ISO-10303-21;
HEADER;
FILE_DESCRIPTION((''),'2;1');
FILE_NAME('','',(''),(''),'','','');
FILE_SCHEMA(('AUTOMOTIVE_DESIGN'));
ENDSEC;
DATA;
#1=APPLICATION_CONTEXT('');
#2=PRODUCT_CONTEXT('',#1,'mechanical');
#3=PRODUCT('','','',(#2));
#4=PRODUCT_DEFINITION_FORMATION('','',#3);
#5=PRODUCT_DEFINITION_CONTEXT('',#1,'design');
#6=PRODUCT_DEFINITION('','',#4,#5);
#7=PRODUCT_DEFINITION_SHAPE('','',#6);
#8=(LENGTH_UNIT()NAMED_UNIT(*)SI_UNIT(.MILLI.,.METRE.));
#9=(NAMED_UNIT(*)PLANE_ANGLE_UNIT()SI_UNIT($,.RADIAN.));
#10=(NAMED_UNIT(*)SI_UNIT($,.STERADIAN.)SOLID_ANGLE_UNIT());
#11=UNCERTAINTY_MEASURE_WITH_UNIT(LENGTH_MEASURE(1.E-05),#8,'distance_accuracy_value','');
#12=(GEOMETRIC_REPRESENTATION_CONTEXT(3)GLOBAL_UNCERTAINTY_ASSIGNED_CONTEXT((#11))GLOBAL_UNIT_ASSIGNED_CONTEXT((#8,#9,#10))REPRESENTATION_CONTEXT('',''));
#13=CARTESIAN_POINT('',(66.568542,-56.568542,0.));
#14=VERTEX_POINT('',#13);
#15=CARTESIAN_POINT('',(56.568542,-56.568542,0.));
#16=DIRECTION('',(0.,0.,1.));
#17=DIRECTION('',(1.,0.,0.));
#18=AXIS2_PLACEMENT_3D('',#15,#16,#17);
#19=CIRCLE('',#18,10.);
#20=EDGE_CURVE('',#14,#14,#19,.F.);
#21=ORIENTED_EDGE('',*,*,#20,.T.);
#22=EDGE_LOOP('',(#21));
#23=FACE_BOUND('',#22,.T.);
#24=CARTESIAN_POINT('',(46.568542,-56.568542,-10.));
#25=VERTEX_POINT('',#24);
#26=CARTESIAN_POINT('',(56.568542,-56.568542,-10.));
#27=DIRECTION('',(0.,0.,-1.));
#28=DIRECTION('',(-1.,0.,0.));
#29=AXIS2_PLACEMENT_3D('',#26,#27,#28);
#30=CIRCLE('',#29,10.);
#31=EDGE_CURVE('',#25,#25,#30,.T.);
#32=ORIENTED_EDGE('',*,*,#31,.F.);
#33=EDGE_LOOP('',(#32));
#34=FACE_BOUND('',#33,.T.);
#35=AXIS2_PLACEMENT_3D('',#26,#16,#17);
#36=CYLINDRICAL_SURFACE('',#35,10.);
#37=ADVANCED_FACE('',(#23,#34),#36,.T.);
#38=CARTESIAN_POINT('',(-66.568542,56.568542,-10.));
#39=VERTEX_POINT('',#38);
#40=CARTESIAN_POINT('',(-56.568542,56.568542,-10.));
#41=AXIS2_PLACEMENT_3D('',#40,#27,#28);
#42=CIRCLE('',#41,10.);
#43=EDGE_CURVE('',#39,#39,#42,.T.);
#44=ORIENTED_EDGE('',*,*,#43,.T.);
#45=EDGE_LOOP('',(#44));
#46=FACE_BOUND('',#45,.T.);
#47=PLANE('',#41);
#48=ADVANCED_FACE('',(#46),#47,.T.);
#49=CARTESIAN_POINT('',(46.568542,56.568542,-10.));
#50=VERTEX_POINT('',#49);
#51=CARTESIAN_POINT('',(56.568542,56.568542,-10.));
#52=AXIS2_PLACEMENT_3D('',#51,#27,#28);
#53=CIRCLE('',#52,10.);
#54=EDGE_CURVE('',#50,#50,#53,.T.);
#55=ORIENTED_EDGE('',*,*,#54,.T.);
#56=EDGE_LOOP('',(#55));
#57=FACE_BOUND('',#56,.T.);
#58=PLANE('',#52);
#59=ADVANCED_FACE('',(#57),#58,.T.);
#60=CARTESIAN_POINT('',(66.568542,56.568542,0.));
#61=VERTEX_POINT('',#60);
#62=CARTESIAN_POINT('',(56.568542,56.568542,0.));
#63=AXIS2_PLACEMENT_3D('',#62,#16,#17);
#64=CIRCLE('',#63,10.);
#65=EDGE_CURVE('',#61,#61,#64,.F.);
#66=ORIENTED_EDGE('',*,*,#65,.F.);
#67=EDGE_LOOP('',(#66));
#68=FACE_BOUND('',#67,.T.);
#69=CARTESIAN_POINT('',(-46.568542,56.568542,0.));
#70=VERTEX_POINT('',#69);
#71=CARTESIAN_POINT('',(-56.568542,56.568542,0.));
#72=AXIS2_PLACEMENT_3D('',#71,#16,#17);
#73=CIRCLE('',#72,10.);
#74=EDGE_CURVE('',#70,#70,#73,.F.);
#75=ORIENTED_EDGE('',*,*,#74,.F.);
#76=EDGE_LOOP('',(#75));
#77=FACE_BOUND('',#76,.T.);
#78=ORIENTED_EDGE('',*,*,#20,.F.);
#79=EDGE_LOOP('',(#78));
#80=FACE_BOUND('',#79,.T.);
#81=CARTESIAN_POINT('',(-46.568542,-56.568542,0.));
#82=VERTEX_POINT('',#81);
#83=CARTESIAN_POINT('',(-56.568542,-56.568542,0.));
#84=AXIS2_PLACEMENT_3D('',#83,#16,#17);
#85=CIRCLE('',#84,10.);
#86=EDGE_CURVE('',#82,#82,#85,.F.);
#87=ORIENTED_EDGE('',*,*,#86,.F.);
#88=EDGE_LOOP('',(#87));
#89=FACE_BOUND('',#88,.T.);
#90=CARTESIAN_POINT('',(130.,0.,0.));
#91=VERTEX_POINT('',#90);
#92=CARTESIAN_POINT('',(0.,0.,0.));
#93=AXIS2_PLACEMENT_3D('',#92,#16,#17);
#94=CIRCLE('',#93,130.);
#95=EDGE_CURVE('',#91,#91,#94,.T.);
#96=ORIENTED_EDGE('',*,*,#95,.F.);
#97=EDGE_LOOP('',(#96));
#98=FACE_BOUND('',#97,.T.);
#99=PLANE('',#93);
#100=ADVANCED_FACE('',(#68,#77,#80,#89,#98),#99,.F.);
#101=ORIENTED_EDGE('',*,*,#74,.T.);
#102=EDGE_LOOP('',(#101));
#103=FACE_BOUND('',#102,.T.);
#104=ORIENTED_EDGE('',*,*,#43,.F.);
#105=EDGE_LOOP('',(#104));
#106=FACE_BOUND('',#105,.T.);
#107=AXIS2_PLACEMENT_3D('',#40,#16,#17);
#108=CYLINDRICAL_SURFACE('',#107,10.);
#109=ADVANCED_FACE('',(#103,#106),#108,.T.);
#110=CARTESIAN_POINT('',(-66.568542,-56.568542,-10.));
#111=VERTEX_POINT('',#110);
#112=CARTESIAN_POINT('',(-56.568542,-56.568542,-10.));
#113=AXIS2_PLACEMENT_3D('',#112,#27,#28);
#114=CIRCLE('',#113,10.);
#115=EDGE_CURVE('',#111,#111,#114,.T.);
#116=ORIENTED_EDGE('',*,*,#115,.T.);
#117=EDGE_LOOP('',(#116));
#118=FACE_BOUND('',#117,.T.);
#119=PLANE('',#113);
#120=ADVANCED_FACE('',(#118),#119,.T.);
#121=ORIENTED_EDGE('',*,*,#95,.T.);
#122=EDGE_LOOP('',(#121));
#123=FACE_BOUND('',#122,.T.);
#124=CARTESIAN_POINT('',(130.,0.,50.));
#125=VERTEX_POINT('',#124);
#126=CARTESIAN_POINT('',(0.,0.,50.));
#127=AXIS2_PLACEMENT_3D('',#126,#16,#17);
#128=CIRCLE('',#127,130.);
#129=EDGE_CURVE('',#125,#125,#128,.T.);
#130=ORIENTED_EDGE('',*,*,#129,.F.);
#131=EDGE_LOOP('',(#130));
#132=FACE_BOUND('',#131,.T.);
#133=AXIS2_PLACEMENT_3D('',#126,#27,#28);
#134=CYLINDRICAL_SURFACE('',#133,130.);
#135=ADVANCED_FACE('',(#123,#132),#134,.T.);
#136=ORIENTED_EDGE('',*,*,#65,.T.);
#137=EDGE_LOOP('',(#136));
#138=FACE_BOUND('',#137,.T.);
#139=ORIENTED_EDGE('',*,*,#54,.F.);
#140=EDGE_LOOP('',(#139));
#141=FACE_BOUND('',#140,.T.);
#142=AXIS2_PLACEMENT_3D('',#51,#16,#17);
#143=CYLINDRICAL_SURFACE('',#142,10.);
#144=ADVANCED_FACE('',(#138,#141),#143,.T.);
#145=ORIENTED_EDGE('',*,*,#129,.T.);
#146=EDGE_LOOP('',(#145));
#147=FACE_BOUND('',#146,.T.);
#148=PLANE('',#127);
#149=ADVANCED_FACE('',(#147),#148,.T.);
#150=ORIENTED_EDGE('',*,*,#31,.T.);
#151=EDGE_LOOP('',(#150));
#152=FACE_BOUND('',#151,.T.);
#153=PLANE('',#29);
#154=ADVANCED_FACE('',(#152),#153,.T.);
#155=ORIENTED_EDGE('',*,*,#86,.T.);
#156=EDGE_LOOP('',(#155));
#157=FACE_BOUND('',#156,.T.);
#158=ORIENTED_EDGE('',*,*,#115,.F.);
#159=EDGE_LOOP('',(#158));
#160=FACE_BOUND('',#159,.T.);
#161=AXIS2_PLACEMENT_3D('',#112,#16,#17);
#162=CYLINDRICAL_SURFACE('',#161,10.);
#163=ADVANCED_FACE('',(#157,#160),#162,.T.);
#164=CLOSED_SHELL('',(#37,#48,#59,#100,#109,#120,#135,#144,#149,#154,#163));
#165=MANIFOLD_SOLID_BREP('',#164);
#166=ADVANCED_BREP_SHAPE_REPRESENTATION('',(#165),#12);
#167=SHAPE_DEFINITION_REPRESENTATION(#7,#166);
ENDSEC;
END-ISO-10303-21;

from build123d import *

# Parameters (mm, degrees)
SKETCH_1_R      = 130
EXTRUDE_1_DEPTH = 50
SKETCH_4_R      = 10
EXTRUDE_4_DEPTH = 10


with BuildPart() as part:
    # 草图1 → 凸台-拉伸1 (new body)
    with BuildSketch(Plane.XY):
        Circle(SKETCH_1_R)
    extrude(amount=EXTRUDE_1_DEPTH)

    # 草图4 → 凸台-拉伸4 (add)
    with BuildSketch(Plane(origin=(0, 0, 0), x_dir=(-1, 0, 0), z_dir=(0, 0, -1))):
        with Locations(Location((-56.568542495, 56.568542495, 0), (0, 0, 180))):
            Circle(SKETCH_4_R)
        with Locations(Location((56.568542495, 56.568542495, 0), (0, 0, 180))):
            Circle(SKETCH_4_R)
        with Locations(Location((-56.568542495, -56.568542495, 0), (0, 0, 180))):
            Circle(SKETCH_4_R)
        with Locations(Location((56.568542495, -56.568542495, 0), (0, 0, 180))):
            Circle(SKETCH_4_R)
    extrude(amount=EXTRUDE_4_DEPTH)


solid = part.part
